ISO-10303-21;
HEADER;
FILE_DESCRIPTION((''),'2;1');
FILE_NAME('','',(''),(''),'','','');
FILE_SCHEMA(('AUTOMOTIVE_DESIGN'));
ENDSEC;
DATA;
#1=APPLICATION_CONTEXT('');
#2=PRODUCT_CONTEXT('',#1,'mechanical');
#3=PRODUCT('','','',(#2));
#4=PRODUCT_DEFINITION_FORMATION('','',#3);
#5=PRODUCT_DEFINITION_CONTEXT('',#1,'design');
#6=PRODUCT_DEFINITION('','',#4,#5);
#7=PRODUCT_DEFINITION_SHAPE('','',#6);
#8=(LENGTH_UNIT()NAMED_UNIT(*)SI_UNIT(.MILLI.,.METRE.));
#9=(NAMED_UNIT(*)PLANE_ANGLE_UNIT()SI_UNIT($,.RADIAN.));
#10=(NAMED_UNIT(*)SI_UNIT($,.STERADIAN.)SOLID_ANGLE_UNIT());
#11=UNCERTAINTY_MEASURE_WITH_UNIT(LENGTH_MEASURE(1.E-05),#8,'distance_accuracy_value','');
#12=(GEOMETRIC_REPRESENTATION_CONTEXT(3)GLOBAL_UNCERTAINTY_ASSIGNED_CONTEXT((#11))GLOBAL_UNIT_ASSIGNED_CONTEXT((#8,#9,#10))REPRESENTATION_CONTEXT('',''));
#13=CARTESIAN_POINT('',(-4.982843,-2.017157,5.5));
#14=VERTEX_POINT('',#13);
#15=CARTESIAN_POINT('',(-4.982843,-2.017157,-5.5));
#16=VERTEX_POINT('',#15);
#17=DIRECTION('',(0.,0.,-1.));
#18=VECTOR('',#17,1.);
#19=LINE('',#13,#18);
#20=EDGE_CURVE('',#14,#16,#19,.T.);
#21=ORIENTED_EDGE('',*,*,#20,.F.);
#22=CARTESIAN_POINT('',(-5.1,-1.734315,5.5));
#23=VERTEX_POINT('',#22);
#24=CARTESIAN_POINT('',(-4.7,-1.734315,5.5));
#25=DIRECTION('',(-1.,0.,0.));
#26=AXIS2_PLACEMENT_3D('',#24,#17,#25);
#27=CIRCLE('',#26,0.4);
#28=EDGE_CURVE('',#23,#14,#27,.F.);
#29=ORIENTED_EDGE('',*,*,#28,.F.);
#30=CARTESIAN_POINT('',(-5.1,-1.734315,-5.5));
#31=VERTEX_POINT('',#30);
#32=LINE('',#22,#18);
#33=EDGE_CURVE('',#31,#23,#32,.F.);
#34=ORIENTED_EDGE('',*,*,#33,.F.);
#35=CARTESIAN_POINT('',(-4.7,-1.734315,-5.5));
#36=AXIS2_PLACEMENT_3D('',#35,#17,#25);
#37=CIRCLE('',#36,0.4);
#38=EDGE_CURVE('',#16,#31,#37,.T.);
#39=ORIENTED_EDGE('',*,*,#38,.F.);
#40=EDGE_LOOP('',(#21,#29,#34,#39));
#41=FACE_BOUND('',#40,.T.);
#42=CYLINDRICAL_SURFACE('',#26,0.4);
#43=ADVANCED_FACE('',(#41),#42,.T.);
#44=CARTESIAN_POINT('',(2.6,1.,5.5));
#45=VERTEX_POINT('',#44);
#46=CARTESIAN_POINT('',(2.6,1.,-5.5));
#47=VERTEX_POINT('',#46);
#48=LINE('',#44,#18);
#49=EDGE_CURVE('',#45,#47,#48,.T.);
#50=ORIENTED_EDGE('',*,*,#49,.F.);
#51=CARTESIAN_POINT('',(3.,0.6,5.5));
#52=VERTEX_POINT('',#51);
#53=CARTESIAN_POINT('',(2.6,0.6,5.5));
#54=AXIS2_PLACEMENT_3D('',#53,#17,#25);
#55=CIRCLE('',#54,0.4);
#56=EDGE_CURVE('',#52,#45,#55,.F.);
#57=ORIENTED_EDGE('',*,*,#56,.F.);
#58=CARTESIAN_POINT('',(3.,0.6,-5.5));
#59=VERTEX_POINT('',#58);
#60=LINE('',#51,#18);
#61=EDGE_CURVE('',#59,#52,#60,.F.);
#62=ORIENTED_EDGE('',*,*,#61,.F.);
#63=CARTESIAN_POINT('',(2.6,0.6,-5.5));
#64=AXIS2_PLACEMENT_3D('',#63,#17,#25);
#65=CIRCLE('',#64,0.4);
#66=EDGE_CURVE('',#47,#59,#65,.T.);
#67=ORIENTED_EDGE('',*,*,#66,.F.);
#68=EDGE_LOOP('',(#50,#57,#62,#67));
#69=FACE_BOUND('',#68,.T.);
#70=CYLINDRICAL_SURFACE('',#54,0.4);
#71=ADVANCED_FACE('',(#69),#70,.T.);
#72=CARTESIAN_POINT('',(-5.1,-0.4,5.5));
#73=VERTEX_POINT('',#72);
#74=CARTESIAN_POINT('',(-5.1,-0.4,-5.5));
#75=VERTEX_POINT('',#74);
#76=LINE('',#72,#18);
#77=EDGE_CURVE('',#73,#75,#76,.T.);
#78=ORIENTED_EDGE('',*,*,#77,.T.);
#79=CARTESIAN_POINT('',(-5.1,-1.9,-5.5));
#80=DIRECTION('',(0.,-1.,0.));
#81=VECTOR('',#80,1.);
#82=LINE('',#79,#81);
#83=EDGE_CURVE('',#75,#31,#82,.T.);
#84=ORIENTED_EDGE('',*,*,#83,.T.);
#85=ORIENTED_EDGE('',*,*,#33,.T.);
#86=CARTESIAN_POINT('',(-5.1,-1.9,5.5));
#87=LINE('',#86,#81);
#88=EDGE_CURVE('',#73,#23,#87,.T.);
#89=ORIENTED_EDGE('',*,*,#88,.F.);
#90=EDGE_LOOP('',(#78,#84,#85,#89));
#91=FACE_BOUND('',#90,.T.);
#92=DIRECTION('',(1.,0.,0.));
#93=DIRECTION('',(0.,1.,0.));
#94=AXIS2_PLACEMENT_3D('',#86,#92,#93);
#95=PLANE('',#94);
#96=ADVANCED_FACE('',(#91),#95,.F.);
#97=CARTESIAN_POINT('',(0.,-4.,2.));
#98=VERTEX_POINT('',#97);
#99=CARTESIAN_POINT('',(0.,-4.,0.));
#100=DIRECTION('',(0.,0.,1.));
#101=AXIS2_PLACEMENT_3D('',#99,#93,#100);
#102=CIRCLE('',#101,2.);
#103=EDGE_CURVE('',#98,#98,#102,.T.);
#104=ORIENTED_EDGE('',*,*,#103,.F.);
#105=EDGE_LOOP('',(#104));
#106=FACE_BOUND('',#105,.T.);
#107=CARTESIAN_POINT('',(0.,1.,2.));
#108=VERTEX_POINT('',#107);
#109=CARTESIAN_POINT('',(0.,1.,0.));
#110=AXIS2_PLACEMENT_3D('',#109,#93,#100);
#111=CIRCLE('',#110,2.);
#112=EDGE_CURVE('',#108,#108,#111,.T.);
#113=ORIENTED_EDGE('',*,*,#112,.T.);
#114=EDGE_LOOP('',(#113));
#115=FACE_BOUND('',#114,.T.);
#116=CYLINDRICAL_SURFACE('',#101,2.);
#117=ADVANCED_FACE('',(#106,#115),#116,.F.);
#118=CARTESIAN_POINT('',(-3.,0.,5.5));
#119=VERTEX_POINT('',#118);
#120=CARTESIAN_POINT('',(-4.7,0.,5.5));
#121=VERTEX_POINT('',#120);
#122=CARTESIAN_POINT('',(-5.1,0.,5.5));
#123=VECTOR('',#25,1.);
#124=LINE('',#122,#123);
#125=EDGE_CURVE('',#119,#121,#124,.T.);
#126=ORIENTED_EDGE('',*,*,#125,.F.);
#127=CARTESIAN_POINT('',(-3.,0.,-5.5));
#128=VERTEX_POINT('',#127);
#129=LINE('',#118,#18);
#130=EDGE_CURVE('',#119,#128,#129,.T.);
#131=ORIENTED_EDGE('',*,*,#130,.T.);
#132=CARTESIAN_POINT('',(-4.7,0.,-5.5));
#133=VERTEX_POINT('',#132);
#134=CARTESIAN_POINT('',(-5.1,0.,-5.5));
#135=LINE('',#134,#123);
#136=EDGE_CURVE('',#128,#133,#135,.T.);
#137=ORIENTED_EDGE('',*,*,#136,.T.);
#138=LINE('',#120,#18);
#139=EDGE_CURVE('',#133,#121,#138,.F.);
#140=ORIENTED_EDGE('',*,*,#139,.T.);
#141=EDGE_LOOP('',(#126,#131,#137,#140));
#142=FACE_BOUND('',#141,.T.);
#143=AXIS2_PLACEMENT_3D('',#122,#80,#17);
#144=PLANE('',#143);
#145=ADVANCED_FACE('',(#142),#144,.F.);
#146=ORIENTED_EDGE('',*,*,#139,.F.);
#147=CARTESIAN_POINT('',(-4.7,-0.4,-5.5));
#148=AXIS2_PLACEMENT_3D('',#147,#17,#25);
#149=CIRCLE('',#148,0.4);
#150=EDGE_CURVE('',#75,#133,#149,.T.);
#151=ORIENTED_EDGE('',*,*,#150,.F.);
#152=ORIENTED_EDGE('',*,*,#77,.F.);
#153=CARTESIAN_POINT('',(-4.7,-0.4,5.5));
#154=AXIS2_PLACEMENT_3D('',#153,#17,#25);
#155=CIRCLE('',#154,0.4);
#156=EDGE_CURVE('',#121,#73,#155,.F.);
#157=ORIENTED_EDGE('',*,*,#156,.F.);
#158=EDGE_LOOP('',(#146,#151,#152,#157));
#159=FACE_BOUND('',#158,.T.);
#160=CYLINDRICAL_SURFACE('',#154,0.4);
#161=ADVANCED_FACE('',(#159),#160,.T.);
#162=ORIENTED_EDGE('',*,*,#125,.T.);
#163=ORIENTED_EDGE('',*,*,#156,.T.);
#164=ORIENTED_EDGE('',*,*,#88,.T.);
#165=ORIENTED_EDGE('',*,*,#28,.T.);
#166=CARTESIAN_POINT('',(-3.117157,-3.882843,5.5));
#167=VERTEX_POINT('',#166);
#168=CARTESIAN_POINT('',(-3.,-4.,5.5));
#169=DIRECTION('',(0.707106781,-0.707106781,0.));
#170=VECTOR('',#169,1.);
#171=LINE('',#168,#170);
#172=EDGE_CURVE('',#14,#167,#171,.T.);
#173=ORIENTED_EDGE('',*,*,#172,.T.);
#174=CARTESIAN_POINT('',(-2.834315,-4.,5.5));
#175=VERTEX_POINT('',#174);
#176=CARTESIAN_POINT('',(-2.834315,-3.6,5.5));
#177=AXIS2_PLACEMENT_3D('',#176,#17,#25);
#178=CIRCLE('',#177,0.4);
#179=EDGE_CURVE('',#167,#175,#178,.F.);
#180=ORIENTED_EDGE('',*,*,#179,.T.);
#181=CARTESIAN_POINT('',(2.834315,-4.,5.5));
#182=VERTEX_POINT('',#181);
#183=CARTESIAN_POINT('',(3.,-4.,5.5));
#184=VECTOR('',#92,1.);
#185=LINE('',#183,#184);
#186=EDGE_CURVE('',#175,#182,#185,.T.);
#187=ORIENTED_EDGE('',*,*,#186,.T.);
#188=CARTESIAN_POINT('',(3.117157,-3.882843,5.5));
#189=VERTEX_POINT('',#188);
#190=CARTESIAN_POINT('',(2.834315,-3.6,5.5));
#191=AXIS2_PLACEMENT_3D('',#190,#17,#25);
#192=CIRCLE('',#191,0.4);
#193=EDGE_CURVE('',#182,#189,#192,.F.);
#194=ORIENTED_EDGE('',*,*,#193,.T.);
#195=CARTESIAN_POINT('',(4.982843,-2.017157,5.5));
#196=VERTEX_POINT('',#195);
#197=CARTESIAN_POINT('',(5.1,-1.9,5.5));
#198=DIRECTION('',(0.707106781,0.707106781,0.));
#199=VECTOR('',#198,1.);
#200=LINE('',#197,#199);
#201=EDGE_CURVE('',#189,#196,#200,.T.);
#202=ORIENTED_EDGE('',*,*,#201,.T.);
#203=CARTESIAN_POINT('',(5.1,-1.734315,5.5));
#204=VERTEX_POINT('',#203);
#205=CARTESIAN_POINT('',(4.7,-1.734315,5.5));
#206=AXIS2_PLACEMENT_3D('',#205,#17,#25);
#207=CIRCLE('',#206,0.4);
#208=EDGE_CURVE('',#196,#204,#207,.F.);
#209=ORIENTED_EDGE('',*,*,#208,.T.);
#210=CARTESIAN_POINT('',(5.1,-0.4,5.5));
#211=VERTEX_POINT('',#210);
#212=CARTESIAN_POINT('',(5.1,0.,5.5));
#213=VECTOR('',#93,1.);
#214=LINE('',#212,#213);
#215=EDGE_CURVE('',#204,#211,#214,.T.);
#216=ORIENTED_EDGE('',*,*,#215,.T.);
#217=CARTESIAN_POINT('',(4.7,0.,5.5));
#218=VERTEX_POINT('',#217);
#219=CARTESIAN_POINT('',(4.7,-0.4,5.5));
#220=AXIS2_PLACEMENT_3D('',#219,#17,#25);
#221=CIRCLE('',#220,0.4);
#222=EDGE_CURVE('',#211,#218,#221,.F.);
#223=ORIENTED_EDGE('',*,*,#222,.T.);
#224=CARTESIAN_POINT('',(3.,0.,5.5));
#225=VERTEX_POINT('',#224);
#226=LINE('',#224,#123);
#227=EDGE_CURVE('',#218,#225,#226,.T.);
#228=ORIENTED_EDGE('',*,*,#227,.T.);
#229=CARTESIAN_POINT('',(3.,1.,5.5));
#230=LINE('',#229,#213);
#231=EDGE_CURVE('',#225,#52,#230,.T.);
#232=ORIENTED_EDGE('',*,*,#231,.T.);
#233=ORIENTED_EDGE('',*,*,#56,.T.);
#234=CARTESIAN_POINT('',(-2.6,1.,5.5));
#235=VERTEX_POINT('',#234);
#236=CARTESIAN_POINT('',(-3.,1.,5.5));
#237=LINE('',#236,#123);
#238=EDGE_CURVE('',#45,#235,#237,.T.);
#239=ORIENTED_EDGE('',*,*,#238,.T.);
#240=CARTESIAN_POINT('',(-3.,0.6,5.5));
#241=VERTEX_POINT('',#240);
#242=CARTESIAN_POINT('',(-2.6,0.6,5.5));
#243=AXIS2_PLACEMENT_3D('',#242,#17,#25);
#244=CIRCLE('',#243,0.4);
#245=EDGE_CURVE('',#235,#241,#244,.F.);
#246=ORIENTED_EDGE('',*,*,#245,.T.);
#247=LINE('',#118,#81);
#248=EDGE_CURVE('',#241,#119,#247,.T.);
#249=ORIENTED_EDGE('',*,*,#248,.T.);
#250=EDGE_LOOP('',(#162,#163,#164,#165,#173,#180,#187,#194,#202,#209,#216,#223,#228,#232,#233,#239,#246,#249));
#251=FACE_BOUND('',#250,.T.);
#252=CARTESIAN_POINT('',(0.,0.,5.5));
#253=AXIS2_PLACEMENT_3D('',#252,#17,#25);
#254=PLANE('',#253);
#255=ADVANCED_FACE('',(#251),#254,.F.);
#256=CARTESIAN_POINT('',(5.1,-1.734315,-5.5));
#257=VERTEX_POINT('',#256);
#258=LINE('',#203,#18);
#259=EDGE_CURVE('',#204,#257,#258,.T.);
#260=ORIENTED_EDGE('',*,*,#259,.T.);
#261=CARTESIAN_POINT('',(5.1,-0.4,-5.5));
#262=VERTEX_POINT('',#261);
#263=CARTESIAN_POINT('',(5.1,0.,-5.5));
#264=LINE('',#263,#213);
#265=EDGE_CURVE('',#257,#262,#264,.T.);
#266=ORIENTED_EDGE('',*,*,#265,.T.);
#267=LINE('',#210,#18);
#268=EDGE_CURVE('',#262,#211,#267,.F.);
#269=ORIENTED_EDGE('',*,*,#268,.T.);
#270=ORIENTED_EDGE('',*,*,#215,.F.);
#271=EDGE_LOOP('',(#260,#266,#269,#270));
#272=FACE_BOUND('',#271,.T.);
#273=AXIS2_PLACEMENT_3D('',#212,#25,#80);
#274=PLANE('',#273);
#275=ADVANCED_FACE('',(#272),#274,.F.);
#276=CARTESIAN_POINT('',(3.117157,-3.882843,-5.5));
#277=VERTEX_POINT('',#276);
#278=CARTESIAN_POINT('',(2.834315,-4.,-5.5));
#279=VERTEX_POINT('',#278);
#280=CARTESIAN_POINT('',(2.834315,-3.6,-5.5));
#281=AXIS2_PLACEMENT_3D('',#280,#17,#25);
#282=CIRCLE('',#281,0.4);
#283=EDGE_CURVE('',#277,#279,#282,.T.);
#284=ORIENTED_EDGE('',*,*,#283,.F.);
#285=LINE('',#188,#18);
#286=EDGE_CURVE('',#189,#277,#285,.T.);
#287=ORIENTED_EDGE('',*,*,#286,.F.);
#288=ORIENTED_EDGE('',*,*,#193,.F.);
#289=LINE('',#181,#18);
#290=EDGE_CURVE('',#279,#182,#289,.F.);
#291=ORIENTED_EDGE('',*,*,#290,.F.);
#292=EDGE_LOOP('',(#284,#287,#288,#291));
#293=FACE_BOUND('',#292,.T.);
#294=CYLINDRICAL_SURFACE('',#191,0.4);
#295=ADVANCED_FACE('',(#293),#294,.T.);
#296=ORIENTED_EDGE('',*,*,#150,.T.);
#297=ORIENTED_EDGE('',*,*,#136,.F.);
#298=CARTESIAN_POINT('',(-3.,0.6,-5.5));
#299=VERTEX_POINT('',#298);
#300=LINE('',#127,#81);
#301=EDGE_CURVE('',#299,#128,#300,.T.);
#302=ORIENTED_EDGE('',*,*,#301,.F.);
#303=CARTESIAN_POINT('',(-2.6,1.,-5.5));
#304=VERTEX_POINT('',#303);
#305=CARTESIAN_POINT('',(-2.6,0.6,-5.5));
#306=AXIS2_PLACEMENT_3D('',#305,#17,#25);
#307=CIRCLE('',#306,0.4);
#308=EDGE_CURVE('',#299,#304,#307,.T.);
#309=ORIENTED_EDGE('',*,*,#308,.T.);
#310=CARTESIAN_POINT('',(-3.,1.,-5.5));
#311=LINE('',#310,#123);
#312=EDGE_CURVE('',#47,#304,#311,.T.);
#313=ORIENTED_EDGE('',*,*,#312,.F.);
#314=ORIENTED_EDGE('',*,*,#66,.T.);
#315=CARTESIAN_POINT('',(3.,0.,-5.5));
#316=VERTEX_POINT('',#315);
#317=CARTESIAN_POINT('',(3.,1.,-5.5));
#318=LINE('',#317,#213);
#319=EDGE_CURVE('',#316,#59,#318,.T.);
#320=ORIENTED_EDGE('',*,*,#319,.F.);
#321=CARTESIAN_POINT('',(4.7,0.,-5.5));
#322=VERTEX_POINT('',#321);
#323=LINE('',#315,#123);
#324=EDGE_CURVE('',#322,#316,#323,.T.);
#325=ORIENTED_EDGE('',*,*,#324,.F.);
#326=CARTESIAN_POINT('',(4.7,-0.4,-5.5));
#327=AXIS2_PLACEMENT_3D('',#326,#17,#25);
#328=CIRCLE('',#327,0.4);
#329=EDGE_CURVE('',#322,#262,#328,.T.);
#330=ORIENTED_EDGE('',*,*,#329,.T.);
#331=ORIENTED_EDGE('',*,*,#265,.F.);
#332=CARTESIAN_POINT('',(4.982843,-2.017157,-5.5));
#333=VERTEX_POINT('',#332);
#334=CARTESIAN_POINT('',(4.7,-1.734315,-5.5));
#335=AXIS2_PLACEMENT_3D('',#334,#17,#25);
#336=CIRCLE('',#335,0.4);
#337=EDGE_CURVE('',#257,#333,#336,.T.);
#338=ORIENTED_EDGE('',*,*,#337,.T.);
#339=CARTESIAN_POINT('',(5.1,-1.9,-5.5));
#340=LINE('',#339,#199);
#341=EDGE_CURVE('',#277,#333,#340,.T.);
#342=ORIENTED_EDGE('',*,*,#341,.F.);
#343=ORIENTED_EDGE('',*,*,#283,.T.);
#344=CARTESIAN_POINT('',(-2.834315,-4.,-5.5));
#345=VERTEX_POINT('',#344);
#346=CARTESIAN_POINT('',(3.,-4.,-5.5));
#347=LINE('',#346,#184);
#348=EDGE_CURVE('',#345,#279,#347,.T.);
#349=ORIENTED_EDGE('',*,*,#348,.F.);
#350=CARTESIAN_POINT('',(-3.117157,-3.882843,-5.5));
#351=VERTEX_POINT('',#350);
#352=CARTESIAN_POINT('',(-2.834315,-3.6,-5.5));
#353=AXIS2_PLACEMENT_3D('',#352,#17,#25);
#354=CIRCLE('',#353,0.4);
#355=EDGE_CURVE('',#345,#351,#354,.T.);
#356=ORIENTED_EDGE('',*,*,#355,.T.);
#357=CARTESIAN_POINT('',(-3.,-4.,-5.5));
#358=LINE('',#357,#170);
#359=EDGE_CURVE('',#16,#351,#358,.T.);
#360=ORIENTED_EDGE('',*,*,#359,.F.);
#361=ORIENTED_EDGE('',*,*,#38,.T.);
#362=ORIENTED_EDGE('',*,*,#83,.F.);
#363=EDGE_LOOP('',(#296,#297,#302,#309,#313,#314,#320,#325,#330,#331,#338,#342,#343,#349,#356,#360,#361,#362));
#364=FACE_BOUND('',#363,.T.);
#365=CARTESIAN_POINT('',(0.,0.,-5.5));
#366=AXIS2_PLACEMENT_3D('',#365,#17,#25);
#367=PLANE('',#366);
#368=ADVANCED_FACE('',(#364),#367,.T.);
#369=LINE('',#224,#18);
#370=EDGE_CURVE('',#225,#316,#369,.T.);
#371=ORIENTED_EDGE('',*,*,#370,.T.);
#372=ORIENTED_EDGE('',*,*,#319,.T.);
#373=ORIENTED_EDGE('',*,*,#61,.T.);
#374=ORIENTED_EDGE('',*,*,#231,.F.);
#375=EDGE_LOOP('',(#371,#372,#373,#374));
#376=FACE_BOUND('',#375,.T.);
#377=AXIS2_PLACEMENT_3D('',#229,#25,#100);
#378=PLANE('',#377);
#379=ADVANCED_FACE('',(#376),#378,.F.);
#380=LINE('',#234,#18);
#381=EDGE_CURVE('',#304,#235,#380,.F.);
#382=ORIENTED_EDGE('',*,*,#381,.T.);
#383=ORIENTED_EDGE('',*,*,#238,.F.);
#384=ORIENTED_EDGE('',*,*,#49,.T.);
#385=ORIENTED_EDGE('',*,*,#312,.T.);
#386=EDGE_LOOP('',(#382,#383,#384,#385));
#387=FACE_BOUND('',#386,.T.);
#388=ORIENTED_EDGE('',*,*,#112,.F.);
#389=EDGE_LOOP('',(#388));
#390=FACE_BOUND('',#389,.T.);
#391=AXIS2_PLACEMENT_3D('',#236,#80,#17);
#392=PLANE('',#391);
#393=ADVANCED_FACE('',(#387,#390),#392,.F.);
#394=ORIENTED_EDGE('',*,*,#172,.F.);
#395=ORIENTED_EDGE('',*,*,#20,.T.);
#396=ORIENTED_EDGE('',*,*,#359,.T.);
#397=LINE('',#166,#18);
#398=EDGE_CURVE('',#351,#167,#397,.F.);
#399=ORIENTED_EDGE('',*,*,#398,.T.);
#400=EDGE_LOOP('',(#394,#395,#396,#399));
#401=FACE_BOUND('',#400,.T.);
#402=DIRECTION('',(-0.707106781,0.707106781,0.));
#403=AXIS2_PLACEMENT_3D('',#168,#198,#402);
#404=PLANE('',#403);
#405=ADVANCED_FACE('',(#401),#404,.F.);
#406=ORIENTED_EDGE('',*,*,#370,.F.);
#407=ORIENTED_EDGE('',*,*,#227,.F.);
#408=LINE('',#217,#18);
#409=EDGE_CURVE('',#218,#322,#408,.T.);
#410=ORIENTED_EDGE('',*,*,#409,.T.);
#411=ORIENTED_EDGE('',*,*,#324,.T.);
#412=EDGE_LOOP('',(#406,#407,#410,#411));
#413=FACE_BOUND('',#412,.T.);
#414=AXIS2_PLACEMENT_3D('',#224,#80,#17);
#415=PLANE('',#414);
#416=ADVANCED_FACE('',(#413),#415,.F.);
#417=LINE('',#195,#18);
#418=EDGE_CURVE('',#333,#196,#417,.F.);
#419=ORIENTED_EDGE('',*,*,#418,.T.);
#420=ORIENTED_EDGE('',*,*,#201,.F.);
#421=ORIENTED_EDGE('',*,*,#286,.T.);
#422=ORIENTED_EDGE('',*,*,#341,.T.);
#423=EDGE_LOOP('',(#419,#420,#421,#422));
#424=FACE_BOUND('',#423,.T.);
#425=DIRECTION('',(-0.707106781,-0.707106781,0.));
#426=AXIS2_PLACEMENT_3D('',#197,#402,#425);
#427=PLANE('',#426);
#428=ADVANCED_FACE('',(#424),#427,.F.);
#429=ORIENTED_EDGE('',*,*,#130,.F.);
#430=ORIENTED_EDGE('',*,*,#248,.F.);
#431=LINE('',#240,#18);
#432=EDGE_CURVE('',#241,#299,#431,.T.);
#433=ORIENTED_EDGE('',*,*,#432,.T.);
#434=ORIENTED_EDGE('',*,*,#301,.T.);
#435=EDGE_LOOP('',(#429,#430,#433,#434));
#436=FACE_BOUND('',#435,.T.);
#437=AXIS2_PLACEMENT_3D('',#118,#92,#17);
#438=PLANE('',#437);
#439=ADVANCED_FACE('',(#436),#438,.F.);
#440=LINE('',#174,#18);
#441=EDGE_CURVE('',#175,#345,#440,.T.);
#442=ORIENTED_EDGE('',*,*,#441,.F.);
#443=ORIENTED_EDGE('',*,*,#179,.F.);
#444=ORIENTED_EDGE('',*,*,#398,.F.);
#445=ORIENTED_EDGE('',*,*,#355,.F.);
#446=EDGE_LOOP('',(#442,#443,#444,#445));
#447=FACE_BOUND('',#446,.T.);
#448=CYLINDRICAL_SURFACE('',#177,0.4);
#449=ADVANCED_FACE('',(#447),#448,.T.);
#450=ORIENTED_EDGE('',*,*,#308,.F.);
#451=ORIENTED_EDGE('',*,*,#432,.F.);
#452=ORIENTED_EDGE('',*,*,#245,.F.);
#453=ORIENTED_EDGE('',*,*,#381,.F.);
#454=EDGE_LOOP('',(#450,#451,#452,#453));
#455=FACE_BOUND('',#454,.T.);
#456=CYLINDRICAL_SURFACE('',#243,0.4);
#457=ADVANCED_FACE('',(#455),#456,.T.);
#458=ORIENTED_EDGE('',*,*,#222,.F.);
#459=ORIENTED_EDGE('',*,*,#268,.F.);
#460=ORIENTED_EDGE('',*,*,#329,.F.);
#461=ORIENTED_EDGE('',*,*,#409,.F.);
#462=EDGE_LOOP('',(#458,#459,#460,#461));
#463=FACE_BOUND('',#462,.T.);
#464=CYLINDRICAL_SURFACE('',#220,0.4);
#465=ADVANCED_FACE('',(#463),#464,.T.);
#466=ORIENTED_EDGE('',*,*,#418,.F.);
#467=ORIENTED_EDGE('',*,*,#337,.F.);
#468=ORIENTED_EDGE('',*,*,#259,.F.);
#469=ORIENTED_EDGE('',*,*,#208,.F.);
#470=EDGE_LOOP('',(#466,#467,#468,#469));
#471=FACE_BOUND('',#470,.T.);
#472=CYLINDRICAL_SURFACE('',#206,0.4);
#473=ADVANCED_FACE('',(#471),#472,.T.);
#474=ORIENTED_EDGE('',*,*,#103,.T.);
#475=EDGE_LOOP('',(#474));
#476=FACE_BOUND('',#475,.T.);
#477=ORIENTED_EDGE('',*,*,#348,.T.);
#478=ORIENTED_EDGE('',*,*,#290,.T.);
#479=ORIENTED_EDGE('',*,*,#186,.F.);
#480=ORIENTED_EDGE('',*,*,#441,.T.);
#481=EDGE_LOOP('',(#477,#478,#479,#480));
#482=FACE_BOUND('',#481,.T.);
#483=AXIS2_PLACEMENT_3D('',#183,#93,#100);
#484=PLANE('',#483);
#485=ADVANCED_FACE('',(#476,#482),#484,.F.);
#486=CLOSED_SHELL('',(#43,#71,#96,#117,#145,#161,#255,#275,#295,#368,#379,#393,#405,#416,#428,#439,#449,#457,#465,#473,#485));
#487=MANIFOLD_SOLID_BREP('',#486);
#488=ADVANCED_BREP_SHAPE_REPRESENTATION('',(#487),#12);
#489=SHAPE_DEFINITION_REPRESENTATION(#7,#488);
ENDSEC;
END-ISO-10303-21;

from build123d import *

# Parameters (mm, degrees)
EXTRUDE_1_DEPTH     = 5.5
SKETCH_2_R          = 2
CUT_EXTRUDE_1_DEPTH = 10.014432872
FILLET_1_R          = 0.4


with BuildPart() as part:
    # 草图1 → 凸台-拉伸1 (new, symmetric)
    with BuildSketch(Plane.XY):
        Polygon((-5.1, 0), (-3, 0), (-3, 1), (3, 1), (3, 0), (5.1, 0), (5.1, -1.9), (3, -4), (-3, -4), (-5.1, -1.9), align=None)
    extrude(amount=EXTRUDE_1_DEPTH, both=True)

    # 草图2 → 切除-拉伸1 (cut, through all)
    with BuildSketch(Plane(origin=(0, 1, 0), x_dir=(1, 0, 0), z_dir=(0, 1, 0))):
        with Locations(Location((0, 0, 0), (0, 0, 270))):
            Circle(SKETCH_2_R)
    extrude(amount=-CUT_EXTRUDE_1_DEPTH, mode=Mode.SUBTRACT)

    # 圆角1
    fillet_1_edges = [part.edges().sort_by_distance(p)[0] for p in [
        (-5.1, 0, 0),
        (-3, 1, 0),
        (3, 1, 0),
        (5.1, 0, 0),
        (5.1, -1.9, 0),
        (3, -4, 0),
        (-3, -4, 0),
        (-5.1, -1.9, 0),
    ]]
    fillet(fillet_1_edges, radius=FILLET_1_R)


solid = part.part
